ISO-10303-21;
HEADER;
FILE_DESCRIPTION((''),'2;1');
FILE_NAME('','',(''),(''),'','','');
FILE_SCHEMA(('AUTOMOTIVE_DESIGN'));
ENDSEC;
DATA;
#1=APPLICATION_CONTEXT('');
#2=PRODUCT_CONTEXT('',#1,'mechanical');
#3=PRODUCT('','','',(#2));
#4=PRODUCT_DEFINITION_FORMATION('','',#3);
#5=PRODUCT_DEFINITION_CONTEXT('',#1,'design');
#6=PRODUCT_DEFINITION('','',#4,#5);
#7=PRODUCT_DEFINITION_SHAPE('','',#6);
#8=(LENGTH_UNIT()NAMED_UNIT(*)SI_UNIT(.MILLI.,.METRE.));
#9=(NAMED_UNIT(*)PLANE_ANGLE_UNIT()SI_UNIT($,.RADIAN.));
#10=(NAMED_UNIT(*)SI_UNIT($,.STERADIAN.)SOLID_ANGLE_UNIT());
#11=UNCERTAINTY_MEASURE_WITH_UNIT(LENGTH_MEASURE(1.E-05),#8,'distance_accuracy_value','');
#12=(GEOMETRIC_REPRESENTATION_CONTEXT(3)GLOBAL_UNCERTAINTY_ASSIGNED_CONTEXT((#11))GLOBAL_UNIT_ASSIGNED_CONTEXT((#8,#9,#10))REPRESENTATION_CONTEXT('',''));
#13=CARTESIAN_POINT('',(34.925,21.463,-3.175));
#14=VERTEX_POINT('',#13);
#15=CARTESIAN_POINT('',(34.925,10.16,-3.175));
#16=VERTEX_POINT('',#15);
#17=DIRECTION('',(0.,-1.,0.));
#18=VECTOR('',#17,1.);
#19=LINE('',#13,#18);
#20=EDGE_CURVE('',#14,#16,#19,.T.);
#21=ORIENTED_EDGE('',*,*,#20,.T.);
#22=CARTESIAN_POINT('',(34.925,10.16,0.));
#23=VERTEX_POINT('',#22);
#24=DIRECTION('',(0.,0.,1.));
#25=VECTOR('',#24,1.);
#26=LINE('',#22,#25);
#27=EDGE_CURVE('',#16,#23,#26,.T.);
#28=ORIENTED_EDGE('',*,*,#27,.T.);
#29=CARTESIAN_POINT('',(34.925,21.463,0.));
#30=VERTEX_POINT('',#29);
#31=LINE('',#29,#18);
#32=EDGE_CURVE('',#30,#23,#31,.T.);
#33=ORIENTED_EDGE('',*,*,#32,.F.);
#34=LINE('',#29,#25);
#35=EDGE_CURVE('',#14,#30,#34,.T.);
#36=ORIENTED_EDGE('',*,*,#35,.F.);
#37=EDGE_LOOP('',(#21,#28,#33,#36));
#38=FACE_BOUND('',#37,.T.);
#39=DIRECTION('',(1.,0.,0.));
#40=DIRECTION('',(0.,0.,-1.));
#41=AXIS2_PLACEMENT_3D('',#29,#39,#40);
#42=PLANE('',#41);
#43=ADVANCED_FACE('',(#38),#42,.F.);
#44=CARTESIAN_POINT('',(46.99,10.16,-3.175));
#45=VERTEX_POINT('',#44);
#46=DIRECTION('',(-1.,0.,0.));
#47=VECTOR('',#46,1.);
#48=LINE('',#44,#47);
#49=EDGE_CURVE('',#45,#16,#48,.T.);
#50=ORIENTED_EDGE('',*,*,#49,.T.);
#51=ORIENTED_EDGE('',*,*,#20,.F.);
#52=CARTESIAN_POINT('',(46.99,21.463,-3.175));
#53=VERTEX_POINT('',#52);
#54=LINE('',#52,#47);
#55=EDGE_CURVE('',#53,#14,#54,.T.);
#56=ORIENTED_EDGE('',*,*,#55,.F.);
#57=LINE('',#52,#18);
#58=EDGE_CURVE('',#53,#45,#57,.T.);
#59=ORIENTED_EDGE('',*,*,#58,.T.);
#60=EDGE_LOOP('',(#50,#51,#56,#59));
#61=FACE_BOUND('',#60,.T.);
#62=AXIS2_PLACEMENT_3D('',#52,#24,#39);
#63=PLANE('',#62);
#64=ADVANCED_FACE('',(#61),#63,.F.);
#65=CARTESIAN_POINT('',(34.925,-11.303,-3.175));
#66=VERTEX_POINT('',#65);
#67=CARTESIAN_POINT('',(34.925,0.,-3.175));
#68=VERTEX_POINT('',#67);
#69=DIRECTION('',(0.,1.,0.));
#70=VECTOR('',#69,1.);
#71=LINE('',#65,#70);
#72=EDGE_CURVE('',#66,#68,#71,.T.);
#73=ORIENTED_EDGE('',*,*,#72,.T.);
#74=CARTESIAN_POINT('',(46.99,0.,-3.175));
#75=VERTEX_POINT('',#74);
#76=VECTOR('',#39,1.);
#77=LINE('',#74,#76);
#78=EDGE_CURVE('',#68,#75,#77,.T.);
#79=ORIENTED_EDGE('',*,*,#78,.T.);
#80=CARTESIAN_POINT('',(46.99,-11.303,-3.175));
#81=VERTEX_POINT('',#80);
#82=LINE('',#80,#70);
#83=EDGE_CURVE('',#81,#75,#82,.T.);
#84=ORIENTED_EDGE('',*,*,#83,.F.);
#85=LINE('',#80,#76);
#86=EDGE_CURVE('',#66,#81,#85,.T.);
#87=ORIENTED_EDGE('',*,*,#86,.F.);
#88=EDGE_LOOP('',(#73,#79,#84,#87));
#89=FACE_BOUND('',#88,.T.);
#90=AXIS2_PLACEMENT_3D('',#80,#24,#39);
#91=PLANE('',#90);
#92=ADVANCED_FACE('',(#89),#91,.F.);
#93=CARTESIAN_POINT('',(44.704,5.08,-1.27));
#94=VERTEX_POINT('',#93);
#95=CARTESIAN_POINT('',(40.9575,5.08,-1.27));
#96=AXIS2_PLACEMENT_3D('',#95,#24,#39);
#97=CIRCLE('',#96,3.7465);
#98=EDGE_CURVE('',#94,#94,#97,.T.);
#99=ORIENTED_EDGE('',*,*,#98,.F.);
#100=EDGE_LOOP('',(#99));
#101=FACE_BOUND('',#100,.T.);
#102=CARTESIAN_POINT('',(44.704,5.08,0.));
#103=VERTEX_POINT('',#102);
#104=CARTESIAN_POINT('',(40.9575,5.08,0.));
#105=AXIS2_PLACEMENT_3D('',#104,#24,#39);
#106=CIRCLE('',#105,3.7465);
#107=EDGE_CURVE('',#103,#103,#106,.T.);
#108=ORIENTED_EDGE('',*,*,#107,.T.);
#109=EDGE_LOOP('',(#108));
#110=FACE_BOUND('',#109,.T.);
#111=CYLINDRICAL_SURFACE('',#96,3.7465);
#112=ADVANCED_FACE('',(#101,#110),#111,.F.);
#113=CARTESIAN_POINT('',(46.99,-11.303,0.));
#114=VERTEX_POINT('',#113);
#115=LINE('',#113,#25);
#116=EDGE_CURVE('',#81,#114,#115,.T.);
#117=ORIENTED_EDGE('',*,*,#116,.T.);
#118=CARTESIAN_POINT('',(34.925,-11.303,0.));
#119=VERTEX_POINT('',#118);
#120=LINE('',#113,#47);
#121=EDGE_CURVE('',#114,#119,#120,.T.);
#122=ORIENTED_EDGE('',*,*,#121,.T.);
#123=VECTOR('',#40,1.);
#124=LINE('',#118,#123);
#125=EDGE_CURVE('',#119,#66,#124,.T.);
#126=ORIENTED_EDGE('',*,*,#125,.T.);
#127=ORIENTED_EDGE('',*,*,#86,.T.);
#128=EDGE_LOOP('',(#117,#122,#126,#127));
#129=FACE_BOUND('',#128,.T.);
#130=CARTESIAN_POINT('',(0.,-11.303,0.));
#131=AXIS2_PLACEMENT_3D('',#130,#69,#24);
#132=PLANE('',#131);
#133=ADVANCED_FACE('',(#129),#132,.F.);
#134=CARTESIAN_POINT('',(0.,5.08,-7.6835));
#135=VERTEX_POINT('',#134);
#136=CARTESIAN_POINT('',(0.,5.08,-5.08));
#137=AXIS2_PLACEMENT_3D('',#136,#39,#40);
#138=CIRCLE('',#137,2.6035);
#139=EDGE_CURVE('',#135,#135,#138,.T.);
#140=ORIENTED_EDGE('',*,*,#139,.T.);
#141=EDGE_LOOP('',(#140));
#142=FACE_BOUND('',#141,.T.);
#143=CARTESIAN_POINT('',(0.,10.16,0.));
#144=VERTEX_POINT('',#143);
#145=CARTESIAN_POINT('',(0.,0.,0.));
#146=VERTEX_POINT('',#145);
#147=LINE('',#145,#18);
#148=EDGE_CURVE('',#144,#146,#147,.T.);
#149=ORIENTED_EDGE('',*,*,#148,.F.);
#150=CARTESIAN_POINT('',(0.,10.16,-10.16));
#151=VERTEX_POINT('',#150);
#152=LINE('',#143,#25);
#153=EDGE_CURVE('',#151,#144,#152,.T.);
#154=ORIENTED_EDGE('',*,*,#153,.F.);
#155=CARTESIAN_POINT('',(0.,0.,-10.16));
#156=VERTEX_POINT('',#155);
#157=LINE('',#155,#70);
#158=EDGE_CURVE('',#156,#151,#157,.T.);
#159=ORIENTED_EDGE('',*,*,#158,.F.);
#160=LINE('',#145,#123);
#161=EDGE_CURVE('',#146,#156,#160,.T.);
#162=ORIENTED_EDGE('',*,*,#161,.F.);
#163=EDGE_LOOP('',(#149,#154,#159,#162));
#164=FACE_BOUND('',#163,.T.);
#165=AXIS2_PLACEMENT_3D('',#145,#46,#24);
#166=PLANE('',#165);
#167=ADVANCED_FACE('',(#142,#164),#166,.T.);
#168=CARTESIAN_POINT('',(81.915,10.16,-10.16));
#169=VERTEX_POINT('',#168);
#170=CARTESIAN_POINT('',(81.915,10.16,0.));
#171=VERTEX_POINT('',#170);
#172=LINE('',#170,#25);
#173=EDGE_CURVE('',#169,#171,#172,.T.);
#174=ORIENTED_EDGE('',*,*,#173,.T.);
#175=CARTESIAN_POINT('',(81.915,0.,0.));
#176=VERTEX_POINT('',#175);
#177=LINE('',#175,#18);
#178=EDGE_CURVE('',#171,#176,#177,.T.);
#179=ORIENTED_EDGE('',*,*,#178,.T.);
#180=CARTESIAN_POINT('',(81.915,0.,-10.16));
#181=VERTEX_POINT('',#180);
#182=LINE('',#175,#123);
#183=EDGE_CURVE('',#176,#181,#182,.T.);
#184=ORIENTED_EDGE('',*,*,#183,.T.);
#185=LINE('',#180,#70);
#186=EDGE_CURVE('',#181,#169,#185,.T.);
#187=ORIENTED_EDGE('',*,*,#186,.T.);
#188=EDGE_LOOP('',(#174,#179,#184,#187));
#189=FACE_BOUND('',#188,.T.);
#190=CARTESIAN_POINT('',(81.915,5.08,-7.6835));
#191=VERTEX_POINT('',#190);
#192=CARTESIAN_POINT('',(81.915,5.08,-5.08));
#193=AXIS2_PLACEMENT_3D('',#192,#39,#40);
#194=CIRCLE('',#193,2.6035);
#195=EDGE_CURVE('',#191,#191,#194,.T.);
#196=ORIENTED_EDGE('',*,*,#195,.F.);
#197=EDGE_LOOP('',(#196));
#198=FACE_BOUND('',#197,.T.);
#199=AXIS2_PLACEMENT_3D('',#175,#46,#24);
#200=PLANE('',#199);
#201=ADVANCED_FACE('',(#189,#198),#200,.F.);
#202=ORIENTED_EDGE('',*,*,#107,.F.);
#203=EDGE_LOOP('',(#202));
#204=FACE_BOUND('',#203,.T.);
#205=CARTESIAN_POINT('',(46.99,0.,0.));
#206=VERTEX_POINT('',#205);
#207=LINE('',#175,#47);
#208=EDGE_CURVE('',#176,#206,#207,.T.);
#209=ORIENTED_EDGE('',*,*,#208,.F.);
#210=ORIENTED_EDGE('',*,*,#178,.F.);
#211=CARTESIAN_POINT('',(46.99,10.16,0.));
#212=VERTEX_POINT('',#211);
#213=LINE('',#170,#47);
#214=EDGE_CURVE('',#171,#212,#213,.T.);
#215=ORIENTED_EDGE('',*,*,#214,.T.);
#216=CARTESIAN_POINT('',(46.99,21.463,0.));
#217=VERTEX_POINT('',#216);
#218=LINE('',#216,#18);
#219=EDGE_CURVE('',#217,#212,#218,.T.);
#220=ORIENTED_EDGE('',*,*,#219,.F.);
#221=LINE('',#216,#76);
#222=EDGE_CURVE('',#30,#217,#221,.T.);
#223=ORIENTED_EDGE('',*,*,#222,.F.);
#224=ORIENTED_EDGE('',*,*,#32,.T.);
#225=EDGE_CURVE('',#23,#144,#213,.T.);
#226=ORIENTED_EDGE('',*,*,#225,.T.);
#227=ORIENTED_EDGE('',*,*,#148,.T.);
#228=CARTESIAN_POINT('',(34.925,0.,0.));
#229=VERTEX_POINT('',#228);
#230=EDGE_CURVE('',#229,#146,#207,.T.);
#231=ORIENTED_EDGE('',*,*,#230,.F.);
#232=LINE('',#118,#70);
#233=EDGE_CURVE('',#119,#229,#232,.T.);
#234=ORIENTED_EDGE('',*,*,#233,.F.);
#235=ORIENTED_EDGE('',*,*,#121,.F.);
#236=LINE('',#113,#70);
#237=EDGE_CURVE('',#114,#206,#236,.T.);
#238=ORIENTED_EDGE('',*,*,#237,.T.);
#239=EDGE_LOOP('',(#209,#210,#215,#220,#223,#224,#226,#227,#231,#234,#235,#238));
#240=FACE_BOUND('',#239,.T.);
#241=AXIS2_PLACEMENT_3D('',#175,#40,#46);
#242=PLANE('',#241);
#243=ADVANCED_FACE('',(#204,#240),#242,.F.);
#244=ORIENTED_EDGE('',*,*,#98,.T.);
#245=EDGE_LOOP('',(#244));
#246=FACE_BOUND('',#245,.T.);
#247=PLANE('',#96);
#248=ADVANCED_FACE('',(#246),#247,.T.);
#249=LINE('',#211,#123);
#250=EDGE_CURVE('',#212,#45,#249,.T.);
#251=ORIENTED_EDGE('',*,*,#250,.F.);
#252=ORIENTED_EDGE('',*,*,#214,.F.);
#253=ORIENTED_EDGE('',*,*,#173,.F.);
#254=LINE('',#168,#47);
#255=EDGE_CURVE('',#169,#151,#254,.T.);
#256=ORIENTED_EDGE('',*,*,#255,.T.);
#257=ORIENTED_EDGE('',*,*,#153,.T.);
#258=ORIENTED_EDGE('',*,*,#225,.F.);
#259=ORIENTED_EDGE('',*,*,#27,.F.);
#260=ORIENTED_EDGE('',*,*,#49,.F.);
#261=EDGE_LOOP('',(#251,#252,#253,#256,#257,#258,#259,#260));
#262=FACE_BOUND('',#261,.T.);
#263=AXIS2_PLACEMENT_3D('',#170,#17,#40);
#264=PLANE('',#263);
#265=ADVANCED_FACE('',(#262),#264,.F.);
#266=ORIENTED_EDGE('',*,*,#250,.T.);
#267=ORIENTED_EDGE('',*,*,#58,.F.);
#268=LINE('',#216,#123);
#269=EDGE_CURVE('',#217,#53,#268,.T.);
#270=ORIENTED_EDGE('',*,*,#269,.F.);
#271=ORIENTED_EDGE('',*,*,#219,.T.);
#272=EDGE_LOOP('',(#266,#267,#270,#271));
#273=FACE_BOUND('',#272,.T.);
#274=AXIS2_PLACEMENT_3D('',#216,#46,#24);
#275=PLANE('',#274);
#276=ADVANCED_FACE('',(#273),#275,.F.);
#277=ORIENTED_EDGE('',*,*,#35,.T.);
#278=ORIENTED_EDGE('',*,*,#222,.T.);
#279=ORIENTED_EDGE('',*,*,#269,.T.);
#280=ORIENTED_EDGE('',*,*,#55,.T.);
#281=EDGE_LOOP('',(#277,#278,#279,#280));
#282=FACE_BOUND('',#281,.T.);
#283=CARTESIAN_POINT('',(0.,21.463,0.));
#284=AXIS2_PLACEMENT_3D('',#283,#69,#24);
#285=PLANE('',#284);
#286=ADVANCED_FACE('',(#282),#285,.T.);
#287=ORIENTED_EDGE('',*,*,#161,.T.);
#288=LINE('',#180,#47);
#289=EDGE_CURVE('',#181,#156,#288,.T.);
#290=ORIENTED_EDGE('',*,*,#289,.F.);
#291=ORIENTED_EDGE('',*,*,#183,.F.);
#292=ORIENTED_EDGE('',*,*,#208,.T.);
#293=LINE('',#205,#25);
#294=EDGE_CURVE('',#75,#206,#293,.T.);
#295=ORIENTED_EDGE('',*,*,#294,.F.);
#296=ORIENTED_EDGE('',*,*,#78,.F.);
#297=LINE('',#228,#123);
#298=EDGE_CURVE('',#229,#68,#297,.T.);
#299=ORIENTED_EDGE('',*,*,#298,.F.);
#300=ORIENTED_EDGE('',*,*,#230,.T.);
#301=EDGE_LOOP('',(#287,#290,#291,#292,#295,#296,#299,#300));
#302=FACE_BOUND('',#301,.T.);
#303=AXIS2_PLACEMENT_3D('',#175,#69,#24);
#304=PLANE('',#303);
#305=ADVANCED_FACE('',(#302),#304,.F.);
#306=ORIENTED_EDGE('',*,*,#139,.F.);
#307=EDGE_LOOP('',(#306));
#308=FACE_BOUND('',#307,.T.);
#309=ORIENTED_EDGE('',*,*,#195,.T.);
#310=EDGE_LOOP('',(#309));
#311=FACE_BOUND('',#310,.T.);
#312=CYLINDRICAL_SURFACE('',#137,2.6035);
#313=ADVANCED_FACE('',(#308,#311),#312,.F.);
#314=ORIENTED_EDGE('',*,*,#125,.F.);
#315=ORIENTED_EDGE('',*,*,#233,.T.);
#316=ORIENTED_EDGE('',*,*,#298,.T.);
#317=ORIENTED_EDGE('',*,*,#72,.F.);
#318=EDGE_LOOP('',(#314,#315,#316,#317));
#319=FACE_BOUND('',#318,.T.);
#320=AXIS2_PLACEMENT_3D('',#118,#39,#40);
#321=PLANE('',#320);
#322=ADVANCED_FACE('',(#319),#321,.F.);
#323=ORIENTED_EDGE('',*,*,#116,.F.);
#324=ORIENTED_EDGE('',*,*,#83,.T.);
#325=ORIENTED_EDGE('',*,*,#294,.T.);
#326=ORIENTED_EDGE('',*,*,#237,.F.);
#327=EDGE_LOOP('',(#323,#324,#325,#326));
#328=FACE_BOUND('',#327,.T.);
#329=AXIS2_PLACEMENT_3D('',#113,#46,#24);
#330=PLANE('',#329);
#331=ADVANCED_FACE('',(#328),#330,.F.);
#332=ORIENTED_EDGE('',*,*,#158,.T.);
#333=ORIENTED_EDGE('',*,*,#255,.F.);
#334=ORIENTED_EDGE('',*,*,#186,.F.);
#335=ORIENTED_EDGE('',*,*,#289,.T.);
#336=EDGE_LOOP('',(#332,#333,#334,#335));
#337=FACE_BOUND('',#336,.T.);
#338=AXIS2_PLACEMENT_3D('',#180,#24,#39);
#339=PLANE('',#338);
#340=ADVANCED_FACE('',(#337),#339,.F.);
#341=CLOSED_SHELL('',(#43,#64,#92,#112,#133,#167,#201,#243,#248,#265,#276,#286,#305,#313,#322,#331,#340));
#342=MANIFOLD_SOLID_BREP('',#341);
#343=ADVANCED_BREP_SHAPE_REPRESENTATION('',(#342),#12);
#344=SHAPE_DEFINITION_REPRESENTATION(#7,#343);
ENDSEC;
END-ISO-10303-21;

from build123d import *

# Parameters (mm, degrees)
SKETCH1_W           = 10.16
SKETCH1_H           = 10.16
BOSS_EXTRUDE1_DEPTH = 81.915
SKETCH10_R          = 2.6035
CUT_EXTRUDE6_DEPTH  = 82.915
SKETCH11_R          = 3.7465
CUT_EXTRUDE7_DEPTH  = 1.27
SKETCH12_W          = 12.065
SKETCH12_H          = 3.175
BOSS_EXTRUDE4_DEPTH = 11.303
SKETCH13_W          = 12.065
SKETCH13_H          = 3.175
BOSS_EXTRUDE5_DEPTH = 11.303


with BuildPart() as part:
    # Sketch1 → Boss-Extrude1 (new body)
    with BuildSketch(Plane(origin=(0, 0, 0), x_dir=(0, 0, -1), z_dir=(1, 0, 0))):
        with Locations((5.08, 5.08)):
            Rectangle(SKETCH1_W, SKETCH1_H)
    extrude(amount=BOSS_EXTRUDE1_DEPTH)

    # Sketch10 → Cut-Extrude6 (cut, through all)
    with BuildSketch(Plane(origin=(81.915, 0, 0), x_dir=(0, 0, -1), z_dir=(1, 0, 0))):
        with Locations((5.08, 5.08)):
            Circle(SKETCH10_R)
    extrude(amount=-CUT_EXTRUDE6_DEPTH, mode=Mode.SUBTRACT)

    # Sketch11 → Cut-Extrude7 (cut)
    with BuildSketch(Plane.XY):
        with Locations((40.9575, 5.08)):
            Circle(SKETCH11_R)
    extrude(amount=-CUT_EXTRUDE7_DEPTH, mode=Mode.SUBTRACT)

    # Sketch12 → Boss-Extrude4 (add)
    with BuildSketch(Plane.XZ):
        with Locations((40.9575, -1.5875)):
            Rectangle(SKETCH12_W, SKETCH12_H)
    extrude(amount=BOSS_EXTRUDE4_DEPTH)

    # Sketch13 → Boss-Extrude5 (add)
    with BuildSketch(Plane(origin=(0, 10.16, 0), x_dir=(1, 0, 0), z_dir=(0, 1, 0))):
        with Locations((40.9575, 1.5875)):
            Rectangle(SKETCH13_W, SKETCH13_H)
    extrude(amount=BOSS_EXTRUDE5_DEPTH)


solid = part.part
